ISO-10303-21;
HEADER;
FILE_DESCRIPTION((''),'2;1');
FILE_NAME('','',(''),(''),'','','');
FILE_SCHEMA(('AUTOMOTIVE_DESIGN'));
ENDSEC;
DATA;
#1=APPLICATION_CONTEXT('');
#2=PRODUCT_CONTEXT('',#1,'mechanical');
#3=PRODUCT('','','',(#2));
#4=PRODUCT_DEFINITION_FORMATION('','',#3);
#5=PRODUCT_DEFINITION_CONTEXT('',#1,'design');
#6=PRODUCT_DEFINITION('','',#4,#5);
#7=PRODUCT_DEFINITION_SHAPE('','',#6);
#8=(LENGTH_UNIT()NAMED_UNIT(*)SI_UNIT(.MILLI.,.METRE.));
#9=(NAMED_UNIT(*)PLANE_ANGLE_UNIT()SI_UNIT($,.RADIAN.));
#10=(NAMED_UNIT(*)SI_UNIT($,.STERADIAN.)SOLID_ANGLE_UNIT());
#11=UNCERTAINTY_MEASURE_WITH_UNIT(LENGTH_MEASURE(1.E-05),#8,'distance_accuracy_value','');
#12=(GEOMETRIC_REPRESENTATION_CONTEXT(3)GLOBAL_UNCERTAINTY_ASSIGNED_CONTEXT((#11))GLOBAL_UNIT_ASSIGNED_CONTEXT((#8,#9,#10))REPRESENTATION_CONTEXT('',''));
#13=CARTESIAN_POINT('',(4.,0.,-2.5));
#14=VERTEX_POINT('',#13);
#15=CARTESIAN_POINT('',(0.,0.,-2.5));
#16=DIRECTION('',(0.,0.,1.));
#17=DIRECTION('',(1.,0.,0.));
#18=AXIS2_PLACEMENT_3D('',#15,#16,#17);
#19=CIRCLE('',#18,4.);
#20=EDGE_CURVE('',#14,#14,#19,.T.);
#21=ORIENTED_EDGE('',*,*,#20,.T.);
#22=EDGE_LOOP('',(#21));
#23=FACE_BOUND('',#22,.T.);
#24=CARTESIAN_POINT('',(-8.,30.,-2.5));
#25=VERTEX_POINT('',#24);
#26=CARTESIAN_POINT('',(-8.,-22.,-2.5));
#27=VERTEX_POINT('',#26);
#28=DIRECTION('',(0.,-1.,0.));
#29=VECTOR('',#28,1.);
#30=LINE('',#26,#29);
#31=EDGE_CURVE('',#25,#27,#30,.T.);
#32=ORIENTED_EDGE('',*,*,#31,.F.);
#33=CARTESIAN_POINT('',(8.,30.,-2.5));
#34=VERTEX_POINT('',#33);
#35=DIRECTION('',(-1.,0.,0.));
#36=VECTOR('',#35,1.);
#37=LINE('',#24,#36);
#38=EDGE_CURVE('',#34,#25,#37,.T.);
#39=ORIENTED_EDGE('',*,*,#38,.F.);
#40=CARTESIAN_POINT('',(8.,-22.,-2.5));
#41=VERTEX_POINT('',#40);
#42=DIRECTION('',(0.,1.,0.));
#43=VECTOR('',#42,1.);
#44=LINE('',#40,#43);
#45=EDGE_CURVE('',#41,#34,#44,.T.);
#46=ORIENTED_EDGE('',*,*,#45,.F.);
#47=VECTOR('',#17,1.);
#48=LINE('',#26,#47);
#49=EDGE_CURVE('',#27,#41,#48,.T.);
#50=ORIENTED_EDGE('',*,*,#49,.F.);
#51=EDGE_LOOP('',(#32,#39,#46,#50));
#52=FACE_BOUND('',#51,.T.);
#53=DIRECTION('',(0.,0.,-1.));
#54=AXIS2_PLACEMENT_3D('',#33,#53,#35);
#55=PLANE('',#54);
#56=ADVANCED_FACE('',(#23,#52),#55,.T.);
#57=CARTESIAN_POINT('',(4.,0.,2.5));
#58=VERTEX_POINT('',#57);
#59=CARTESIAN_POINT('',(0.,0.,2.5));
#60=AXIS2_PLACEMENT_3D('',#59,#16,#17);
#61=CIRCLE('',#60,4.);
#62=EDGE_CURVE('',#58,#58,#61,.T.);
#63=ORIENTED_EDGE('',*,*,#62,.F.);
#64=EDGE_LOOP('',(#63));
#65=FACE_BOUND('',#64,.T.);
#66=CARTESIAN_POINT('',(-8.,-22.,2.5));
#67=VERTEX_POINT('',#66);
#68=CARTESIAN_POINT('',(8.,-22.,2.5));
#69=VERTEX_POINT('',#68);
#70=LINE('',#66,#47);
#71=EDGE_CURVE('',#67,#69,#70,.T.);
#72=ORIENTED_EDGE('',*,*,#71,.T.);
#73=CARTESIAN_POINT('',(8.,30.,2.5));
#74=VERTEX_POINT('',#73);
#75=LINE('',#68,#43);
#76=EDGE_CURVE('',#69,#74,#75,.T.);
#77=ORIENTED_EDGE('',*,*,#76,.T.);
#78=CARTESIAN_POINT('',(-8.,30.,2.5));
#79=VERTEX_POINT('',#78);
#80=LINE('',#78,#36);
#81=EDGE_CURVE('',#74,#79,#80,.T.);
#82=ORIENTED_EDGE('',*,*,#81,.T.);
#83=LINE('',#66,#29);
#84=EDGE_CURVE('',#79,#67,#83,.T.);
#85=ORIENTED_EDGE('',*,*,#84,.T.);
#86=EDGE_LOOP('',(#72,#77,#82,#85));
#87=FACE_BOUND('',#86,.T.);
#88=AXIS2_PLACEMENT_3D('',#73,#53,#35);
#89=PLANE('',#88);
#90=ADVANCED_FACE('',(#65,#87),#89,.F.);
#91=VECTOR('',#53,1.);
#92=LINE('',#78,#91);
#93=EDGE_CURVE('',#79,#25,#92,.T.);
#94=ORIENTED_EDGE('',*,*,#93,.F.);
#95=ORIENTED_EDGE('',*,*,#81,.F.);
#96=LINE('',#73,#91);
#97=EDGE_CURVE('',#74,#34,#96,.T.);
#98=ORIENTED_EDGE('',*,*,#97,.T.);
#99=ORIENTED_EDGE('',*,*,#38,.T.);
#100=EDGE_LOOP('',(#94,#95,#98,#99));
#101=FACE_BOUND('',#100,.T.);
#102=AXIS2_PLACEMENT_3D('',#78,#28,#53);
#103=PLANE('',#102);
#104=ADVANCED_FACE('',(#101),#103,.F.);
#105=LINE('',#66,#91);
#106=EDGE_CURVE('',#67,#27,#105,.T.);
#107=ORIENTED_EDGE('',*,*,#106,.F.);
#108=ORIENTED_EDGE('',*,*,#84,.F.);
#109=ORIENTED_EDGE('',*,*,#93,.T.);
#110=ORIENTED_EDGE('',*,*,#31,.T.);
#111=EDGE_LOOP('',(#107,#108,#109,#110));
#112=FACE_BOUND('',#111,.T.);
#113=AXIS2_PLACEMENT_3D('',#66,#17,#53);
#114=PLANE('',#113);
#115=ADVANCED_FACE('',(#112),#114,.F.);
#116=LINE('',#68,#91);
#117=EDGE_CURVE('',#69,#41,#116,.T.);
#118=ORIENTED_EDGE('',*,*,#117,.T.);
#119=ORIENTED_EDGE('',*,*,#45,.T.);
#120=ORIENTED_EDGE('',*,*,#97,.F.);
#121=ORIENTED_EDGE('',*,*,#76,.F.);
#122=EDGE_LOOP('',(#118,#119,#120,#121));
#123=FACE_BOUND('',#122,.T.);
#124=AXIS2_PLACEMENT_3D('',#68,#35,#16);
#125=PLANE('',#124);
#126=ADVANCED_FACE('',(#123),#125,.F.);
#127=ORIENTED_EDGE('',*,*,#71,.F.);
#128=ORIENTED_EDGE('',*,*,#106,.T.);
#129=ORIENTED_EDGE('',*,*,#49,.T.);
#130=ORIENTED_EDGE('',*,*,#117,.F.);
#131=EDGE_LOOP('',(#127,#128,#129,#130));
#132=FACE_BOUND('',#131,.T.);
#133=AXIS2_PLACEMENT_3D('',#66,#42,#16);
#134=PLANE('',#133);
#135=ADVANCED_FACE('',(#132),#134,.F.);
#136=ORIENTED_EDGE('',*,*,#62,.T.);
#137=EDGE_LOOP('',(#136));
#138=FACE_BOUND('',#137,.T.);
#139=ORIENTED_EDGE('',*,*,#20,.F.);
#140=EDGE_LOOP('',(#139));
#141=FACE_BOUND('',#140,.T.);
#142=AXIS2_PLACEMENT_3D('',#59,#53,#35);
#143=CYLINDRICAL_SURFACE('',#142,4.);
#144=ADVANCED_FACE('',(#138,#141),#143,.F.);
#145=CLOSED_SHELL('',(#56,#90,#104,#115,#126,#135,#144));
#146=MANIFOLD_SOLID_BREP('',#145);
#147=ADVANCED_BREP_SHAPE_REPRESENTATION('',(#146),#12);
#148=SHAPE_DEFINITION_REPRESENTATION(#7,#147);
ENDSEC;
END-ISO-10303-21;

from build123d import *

# Parameters (mm, degrees)
ESBO_O1_W       = 16
ESBO_O1_H       = 52
ESBO_O1_R       = 4
EXTRUS_O1_DEPTH = 2.5


with BuildPart() as part:
    # Esboço1 → Extrusão1 (new, symmetric)
    with BuildSketch(Plane.XY):
        with Locations((0, 4)):
            Rectangle(ESBO_O1_W, ESBO_O1_H)
        Circle(ESBO_O1_R, mode=Mode.SUBTRACT)
    extrude(amount=EXTRUS_O1_DEPTH, both=True)


solid = part.part
